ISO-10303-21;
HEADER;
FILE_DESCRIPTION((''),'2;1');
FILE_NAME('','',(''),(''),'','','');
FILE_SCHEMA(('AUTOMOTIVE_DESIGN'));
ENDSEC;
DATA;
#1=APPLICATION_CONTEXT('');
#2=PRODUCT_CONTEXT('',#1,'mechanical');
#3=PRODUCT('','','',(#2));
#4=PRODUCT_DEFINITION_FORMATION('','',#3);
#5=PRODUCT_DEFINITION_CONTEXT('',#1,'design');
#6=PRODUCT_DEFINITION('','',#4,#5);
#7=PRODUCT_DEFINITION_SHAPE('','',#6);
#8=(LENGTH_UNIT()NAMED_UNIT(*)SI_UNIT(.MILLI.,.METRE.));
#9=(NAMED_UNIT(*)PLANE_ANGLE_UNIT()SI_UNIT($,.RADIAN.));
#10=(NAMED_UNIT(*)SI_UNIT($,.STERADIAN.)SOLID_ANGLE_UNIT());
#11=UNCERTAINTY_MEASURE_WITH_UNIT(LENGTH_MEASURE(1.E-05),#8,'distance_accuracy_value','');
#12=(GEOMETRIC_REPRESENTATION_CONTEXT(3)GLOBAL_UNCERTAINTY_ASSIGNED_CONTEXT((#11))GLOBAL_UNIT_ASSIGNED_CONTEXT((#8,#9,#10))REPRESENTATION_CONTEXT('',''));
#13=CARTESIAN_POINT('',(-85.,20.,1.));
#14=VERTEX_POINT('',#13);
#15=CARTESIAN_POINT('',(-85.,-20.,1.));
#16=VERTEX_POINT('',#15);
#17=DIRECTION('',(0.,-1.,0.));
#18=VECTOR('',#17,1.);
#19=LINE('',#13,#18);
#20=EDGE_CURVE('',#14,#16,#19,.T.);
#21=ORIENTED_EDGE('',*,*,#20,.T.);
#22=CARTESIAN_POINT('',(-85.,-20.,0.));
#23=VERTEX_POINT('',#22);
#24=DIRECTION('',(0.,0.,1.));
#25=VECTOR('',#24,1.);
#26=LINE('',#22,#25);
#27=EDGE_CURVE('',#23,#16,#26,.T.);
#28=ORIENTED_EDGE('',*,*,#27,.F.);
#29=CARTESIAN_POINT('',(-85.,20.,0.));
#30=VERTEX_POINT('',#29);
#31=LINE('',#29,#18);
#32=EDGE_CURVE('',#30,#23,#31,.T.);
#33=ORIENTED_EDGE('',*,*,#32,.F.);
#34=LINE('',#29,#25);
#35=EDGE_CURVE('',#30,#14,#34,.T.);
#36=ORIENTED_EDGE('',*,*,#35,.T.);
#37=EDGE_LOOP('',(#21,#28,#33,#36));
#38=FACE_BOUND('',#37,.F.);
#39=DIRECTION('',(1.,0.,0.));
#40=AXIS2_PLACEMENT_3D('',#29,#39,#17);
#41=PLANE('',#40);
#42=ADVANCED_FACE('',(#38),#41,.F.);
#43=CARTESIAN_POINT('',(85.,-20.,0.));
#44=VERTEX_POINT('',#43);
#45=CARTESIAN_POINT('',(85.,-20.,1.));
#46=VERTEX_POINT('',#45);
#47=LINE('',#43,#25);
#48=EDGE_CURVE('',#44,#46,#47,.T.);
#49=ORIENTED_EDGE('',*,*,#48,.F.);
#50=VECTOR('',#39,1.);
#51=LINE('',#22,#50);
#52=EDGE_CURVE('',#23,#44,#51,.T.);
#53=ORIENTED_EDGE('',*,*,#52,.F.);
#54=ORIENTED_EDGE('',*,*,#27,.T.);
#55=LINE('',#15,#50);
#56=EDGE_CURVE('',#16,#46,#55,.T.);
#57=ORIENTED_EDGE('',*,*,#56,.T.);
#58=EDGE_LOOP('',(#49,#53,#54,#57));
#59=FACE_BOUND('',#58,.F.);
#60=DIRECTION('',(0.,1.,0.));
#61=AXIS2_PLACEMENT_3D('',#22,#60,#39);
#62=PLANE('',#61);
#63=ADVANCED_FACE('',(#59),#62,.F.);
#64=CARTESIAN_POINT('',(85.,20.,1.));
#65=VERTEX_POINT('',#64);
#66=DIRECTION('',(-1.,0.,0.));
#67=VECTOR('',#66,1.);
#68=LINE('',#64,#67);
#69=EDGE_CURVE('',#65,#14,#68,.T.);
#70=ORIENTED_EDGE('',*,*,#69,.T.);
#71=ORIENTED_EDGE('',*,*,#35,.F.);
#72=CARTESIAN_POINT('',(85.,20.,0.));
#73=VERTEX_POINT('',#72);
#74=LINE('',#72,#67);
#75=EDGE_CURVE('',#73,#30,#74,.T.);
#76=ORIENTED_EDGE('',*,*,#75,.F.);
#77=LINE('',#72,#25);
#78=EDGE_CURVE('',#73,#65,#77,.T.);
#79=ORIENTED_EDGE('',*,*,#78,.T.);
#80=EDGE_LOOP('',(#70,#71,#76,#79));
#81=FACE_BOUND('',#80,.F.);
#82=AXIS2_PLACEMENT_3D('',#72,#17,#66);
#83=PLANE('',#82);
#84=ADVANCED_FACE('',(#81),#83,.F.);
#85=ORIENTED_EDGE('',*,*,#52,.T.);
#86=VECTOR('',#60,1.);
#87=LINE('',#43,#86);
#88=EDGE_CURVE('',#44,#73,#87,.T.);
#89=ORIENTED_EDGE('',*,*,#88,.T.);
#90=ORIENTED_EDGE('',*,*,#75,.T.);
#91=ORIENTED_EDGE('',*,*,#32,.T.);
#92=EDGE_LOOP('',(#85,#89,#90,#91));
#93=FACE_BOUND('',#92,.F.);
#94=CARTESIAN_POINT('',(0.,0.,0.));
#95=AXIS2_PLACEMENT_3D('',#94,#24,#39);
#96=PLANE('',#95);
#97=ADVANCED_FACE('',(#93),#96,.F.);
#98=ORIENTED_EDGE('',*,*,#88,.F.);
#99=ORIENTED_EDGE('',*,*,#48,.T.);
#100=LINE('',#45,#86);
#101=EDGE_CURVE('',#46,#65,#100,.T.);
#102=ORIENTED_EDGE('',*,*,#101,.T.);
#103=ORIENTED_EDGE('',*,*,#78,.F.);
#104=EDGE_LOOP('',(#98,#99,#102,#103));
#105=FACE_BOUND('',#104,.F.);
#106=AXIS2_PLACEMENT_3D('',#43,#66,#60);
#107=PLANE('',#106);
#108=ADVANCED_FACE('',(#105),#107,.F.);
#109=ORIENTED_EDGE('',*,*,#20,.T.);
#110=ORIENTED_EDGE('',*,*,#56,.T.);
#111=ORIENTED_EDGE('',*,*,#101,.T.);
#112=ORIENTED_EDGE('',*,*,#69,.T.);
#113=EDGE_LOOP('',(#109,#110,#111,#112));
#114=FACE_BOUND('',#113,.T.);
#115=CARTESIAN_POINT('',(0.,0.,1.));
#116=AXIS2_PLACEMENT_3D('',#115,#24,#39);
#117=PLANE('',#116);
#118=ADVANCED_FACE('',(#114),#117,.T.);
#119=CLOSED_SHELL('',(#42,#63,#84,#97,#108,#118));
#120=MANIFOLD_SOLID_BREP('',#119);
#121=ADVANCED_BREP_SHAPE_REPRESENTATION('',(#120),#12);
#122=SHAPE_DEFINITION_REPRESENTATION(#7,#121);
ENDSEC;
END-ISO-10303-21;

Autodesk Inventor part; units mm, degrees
ref_plane "YZ Plane" through (0, 0, 0) normal (1, 0, 0) x (0, 1, 0)
ref_plane "XZ Plane" through (0, 0, 0) normal (0, 1, 0) x (-1, 0, 0)
ref_plane "XY Plane" through (0, 0, 0) normal (0, 0, 1) x (1, 0, 0)
sketch "Sketch1" plane through (0, 0, 0) normal (0, 0, 1) x (1, 0, 0)
  line L0 (-85, -20) -> (85, -20)
  line L1 (85, -20) -> (85, 20)
  line L2 (85, 20) -> (-85, 20)
  line L3 (-85, 20) -> (-85, -20)
  line L4 (-85, -20) -> (85, 20) construction
  line L5 (85, -20) -> (-85, 20) construction
  line L6 (-72.8208, 17.2802) -> (71.9828, 17.2802) construction
  line L7 (71.9828, 17.2802) -> (71.9828, -17.2001) construction
  line L8 (71.9828, -17.2001) -> (-72.8208, -17.2001) construction
  line L9 (-72.8208, -17.2001) -> (-72.8208, 17.2802) construction
  point P0 (0, 0)
  dimension "d0" = 170
  dimension "d1" = 40
extrude "Extrusion1" add sketch "Sketch1" along normal blind 1
sketch "Sketch2" plane through (0, 0, 0) normal (0, 0, -1) x (-1, 0, 0)
  line L0 (-77.0434, 16.9651) -> (77.1762, 16.9651) construction
  line L1 (77.1762, 16.9651) -> (77.1762, -17.4121) construction
  line L2 (77.1762, -17.4121) -> (-77.0434, -17.4121) construction
  line L3 (-77.0434, -17.4121) -> (-77.0434, 16.9651) construction
  point P0 (0, 0)
properties part number "text"
